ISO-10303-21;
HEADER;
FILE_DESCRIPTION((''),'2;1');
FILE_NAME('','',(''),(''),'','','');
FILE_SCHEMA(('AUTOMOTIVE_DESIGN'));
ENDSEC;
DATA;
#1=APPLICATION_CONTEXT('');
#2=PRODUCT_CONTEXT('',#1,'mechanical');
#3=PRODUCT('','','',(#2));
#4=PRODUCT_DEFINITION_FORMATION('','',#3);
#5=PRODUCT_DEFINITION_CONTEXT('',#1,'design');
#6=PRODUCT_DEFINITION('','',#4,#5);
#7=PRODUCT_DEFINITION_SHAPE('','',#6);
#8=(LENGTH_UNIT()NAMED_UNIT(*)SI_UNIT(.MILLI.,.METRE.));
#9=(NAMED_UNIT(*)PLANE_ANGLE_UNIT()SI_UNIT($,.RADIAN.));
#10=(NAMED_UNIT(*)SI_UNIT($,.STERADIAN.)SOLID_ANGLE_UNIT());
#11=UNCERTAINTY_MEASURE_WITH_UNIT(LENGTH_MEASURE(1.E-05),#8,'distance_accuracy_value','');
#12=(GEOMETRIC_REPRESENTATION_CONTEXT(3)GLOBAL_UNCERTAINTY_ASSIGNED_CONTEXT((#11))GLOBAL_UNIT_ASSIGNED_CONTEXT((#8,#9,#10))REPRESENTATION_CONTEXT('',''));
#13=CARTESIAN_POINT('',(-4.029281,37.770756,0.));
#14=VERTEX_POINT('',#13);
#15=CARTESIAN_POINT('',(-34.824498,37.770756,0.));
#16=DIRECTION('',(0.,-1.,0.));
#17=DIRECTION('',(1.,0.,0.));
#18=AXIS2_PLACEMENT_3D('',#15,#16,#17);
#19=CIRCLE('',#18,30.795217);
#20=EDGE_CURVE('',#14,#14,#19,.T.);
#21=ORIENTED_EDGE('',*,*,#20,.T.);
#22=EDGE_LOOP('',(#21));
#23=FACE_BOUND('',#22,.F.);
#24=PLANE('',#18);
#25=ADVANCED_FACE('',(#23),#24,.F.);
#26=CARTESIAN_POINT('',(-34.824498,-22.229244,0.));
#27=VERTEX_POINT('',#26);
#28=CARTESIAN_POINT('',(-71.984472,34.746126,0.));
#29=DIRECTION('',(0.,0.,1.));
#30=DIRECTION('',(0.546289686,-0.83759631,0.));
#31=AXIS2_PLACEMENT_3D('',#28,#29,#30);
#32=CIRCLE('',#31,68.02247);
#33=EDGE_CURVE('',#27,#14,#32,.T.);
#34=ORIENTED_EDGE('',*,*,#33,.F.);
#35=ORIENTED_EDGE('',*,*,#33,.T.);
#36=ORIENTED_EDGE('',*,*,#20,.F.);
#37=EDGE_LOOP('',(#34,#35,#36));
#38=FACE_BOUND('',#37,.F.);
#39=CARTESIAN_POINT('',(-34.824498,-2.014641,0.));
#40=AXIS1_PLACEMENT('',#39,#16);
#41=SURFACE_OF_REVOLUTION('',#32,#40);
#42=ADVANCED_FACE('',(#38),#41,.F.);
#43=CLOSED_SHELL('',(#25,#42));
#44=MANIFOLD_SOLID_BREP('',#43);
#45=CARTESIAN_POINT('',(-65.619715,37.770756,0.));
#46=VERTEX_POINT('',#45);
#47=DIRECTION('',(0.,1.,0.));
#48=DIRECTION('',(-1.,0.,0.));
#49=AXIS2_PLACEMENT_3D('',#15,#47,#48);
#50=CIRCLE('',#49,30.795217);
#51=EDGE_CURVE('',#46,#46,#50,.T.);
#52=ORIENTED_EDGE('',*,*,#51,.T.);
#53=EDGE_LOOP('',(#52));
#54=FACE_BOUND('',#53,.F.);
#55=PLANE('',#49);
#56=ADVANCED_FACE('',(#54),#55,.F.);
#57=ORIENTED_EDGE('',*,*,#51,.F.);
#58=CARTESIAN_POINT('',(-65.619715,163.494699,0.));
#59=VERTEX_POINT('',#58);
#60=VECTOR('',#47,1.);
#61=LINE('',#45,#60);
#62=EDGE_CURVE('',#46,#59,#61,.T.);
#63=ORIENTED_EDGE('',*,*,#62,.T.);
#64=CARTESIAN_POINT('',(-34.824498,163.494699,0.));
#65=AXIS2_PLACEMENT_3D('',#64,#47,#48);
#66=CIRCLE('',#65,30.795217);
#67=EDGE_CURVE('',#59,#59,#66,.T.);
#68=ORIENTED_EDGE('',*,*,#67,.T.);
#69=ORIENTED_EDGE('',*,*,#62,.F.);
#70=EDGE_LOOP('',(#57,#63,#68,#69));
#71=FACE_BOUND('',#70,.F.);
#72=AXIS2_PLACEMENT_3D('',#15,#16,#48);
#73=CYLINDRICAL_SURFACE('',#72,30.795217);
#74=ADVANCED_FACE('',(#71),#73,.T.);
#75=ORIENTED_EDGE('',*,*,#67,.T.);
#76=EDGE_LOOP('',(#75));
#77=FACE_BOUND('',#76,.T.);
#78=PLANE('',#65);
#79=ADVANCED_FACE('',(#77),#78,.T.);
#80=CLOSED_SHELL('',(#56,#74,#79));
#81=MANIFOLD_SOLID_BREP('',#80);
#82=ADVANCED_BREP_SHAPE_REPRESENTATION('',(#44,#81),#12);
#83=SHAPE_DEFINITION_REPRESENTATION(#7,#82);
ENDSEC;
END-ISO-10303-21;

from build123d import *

# Parameters (mm, degrees)
F2_R     = 30.7952174917
F3_DEPTH = 125.7239431143


with BuildPart() as f1:
    # F0 (on Top) → F1 (revolve)
    with BuildSketch(Plane.XY):
        with BuildLine():
            Line((-4.0292805061, 37.7707562596), (-34.8244979978, 37.7707562596))
            Line((-34.8244979978, 37.7707562596), (-34.8244979978, -22.2292437404))
            ThreePointArc((-34.8244979978, -22.2292437404), (-11.4675362721, 3.6855894911), (-4.0292805061, 37.7707562596))
        make_face()
    revolve(axis=Axis((-34.8244979978, -2.0146407187, 0), (0, -1, 0)))


with BuildPart() as f3:
    # F2 (on face) → F3 (new body)
    with BuildSketch(Plane(origin=(0, 37.7707562596, 0), x_dir=(-1, 0, 0), z_dir=(0, 1, 0))):
        with Locations((34.8244979978, 0)):
            Circle(F2_R)
    extrude(amount=F3_DEPTH)


solid = Compound([f1.part, f3.part])
